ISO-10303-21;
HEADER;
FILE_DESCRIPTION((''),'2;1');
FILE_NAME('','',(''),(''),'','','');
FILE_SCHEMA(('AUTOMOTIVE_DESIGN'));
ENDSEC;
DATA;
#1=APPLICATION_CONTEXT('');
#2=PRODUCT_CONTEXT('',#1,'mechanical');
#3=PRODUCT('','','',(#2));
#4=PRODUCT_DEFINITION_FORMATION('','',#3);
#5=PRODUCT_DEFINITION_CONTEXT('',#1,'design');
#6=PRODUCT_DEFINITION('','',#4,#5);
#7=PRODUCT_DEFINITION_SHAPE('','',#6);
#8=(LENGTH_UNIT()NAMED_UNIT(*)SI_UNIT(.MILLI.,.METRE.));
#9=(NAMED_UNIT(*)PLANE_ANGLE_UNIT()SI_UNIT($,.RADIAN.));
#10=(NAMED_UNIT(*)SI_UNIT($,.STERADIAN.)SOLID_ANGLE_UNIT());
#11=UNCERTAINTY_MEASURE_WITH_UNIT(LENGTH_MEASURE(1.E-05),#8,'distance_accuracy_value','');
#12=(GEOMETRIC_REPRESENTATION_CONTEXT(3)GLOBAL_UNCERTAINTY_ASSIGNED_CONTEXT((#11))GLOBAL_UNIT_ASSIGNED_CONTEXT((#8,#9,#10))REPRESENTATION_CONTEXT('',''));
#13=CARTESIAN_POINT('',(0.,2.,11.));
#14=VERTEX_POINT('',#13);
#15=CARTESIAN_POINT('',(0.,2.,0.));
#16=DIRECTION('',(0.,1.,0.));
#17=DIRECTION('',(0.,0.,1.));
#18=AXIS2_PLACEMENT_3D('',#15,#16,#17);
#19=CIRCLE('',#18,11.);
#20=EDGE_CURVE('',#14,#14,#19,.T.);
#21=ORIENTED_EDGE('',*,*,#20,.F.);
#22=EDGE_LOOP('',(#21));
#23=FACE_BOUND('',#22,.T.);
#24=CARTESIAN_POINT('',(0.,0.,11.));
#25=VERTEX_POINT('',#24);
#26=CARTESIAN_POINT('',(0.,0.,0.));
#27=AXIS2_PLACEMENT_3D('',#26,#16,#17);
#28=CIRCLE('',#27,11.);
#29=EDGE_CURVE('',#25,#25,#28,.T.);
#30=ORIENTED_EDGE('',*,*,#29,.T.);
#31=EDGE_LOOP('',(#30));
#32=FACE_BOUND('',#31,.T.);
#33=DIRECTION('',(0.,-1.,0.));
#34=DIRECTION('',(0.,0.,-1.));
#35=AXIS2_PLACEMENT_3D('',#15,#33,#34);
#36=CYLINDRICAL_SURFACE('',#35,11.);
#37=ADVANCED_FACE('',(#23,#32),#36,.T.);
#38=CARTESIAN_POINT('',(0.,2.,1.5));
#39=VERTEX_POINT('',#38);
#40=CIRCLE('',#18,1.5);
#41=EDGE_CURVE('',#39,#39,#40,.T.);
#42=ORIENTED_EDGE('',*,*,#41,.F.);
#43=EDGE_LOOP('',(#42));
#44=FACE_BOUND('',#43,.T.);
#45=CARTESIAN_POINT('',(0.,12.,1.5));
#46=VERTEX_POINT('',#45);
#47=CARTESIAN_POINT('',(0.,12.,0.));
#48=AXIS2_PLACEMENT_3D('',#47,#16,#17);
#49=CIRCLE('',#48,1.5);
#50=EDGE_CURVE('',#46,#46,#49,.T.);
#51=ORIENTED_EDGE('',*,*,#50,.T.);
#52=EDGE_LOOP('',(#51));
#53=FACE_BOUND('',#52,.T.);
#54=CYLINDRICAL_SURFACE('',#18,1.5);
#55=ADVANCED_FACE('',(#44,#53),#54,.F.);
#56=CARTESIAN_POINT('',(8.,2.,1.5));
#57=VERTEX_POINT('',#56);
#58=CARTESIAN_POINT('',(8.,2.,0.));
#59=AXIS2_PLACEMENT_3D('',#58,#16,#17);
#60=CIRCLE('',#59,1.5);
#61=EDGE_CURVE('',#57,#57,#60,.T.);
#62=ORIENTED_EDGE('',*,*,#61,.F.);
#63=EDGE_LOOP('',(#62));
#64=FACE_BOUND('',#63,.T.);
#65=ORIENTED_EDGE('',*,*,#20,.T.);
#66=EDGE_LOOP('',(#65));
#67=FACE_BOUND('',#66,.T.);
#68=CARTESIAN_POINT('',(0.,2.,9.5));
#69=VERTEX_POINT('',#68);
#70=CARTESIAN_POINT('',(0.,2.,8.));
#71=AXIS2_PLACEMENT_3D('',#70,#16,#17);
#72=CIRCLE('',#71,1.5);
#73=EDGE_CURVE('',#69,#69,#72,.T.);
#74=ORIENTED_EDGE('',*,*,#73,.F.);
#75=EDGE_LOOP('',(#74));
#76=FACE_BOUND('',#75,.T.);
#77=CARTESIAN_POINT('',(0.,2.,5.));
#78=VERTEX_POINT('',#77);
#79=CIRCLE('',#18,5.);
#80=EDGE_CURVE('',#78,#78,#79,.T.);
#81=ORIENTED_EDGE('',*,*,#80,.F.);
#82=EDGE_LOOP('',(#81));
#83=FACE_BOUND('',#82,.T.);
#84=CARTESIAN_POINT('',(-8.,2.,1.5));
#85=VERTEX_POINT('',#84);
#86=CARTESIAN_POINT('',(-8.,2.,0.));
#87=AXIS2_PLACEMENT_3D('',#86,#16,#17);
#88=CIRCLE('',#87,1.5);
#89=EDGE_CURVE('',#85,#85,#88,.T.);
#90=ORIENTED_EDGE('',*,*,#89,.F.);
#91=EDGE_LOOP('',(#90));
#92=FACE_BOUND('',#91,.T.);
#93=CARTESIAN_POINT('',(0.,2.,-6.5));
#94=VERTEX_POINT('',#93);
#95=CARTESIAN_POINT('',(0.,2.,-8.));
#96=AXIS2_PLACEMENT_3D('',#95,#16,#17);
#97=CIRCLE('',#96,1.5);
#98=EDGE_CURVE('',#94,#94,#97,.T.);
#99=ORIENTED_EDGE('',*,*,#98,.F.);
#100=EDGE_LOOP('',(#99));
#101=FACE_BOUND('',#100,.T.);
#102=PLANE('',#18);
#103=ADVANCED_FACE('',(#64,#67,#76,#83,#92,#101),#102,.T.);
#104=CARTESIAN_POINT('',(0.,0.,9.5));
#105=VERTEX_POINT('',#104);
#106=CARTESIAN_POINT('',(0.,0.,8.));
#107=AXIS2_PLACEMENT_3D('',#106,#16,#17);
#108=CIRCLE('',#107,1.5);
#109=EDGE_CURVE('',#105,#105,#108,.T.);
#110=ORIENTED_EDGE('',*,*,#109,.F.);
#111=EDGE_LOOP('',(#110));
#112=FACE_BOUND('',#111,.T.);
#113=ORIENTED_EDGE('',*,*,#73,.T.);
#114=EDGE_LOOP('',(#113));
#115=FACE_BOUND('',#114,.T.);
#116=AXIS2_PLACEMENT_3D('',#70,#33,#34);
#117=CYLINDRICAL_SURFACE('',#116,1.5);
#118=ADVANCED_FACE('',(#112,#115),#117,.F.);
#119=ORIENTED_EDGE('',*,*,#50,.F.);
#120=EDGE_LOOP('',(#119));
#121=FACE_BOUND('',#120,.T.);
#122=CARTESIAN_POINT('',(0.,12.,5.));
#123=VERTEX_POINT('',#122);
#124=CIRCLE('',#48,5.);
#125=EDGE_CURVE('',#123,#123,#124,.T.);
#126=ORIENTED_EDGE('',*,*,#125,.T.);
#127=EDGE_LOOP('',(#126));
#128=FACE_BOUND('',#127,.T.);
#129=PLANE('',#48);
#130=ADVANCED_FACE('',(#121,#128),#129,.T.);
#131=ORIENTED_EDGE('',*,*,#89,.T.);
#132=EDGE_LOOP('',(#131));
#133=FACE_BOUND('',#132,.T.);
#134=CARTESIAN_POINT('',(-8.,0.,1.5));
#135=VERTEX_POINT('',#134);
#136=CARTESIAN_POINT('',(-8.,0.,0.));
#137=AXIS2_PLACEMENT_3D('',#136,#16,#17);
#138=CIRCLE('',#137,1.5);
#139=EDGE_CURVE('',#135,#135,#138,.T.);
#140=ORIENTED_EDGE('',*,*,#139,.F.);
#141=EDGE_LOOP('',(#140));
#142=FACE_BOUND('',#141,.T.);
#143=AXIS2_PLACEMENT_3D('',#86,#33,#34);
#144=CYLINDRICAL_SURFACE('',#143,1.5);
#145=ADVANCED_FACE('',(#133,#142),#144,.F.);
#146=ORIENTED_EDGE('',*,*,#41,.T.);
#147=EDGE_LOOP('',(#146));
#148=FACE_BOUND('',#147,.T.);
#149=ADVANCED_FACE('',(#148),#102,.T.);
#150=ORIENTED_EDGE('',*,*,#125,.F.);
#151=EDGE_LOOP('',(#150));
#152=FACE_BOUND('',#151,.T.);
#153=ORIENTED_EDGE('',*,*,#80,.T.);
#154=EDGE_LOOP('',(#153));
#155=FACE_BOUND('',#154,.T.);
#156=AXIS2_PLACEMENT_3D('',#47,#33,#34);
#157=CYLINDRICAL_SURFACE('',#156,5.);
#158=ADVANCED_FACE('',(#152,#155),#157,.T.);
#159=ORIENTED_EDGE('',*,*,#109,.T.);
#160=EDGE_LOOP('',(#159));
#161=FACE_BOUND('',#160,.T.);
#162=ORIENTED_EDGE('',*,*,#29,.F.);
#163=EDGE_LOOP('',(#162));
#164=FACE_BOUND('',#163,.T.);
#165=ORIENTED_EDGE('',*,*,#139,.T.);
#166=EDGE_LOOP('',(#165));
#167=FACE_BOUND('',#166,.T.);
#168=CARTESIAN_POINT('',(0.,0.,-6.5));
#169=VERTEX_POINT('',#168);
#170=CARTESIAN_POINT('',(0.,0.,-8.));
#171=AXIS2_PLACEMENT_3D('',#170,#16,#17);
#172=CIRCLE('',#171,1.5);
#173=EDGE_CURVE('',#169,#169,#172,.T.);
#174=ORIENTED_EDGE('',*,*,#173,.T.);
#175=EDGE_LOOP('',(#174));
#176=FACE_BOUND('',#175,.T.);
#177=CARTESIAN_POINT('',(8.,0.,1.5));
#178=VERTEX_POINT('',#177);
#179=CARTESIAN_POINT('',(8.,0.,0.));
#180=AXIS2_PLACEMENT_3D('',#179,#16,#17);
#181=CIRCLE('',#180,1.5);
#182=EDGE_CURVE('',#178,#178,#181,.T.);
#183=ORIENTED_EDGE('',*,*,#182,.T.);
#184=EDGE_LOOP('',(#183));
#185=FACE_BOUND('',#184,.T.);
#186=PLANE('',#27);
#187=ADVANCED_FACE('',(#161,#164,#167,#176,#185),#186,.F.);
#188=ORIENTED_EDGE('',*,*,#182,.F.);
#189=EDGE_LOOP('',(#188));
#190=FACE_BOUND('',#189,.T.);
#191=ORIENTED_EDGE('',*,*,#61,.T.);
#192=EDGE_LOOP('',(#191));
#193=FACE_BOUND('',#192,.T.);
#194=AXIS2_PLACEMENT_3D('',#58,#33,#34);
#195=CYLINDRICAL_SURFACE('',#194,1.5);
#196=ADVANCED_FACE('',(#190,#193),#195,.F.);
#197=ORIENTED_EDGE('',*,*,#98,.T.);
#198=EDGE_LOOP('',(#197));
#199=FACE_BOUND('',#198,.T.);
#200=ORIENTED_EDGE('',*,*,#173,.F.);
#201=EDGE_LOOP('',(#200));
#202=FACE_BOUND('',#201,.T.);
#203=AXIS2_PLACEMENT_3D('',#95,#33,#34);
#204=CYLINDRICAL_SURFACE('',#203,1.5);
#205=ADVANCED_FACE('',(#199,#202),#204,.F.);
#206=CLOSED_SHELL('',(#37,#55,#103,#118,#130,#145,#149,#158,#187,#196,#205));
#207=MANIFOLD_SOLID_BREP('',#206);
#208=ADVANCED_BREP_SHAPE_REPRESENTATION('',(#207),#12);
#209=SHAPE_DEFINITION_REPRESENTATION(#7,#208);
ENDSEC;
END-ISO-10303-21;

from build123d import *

# Parameters (mm, degrees)
SKETCH1_R           = 11
SKETCH1_R_2         = 1.5
SKETCH1_R_3         = 5
BOSS_EXTRUDE1_DEPTH = 2
SKETCH1_3_R         = 5
BOSS_EXTRUDE2_DEPTH = 12
SKETCH2_R           = 1.5
CUT_EXTRUDE1_DEPTH  = 10


with BuildPart() as part:
    # Sketch1 → Boss-Extrude1 (new body)
    with BuildSketch(Plane(origin=(0, 0, 0), x_dir=(1, 0, 0), z_dir=(0, 1, 0))):
        Circle(SKETCH1_R)
        with Locations((0, -8)):
            Circle(SKETCH1_R_2, mode=Mode.SUBTRACT)
        with Locations((-8, 0)):
            Circle(SKETCH1_R_2, mode=Mode.SUBTRACT)
        Circle(SKETCH1_R_3, mode=Mode.SUBTRACT)
        with BuildLine():
            ThreePointArc((6.5, 0), (8, 1.5), (9.5, 0))
            ThreePointArc((9.5, 0), (8, -1.5), (6.5, 0))
        make_face(mode=Mode.SUBTRACT)
        with Locations((0, 8)):
            Circle(SKETCH1_R_2, mode=Mode.SUBTRACT)
    extrude(amount=BOSS_EXTRUDE1_DEPTH)

    # Sketch1<3> → Boss-Extrude2 (add)
    with BuildSketch(Plane(origin=(0, 0, 0), x_dir=(1, 0, 0), z_dir=(0, 1, 0))):
        Circle(SKETCH1_3_R)
    extrude(amount=BOSS_EXTRUDE2_DEPTH)

    # Sketch2 → Cut-Extrude1 (cut)
    with BuildSketch(Plane(origin=(0, 12, 0), x_dir=(1, 0, 0), z_dir=(0, 1, 0))):
        Circle(SKETCH2_R)
    extrude(amount=-CUT_EXTRUDE1_DEPTH, mode=Mode.SUBTRACT)


solid = part.part
